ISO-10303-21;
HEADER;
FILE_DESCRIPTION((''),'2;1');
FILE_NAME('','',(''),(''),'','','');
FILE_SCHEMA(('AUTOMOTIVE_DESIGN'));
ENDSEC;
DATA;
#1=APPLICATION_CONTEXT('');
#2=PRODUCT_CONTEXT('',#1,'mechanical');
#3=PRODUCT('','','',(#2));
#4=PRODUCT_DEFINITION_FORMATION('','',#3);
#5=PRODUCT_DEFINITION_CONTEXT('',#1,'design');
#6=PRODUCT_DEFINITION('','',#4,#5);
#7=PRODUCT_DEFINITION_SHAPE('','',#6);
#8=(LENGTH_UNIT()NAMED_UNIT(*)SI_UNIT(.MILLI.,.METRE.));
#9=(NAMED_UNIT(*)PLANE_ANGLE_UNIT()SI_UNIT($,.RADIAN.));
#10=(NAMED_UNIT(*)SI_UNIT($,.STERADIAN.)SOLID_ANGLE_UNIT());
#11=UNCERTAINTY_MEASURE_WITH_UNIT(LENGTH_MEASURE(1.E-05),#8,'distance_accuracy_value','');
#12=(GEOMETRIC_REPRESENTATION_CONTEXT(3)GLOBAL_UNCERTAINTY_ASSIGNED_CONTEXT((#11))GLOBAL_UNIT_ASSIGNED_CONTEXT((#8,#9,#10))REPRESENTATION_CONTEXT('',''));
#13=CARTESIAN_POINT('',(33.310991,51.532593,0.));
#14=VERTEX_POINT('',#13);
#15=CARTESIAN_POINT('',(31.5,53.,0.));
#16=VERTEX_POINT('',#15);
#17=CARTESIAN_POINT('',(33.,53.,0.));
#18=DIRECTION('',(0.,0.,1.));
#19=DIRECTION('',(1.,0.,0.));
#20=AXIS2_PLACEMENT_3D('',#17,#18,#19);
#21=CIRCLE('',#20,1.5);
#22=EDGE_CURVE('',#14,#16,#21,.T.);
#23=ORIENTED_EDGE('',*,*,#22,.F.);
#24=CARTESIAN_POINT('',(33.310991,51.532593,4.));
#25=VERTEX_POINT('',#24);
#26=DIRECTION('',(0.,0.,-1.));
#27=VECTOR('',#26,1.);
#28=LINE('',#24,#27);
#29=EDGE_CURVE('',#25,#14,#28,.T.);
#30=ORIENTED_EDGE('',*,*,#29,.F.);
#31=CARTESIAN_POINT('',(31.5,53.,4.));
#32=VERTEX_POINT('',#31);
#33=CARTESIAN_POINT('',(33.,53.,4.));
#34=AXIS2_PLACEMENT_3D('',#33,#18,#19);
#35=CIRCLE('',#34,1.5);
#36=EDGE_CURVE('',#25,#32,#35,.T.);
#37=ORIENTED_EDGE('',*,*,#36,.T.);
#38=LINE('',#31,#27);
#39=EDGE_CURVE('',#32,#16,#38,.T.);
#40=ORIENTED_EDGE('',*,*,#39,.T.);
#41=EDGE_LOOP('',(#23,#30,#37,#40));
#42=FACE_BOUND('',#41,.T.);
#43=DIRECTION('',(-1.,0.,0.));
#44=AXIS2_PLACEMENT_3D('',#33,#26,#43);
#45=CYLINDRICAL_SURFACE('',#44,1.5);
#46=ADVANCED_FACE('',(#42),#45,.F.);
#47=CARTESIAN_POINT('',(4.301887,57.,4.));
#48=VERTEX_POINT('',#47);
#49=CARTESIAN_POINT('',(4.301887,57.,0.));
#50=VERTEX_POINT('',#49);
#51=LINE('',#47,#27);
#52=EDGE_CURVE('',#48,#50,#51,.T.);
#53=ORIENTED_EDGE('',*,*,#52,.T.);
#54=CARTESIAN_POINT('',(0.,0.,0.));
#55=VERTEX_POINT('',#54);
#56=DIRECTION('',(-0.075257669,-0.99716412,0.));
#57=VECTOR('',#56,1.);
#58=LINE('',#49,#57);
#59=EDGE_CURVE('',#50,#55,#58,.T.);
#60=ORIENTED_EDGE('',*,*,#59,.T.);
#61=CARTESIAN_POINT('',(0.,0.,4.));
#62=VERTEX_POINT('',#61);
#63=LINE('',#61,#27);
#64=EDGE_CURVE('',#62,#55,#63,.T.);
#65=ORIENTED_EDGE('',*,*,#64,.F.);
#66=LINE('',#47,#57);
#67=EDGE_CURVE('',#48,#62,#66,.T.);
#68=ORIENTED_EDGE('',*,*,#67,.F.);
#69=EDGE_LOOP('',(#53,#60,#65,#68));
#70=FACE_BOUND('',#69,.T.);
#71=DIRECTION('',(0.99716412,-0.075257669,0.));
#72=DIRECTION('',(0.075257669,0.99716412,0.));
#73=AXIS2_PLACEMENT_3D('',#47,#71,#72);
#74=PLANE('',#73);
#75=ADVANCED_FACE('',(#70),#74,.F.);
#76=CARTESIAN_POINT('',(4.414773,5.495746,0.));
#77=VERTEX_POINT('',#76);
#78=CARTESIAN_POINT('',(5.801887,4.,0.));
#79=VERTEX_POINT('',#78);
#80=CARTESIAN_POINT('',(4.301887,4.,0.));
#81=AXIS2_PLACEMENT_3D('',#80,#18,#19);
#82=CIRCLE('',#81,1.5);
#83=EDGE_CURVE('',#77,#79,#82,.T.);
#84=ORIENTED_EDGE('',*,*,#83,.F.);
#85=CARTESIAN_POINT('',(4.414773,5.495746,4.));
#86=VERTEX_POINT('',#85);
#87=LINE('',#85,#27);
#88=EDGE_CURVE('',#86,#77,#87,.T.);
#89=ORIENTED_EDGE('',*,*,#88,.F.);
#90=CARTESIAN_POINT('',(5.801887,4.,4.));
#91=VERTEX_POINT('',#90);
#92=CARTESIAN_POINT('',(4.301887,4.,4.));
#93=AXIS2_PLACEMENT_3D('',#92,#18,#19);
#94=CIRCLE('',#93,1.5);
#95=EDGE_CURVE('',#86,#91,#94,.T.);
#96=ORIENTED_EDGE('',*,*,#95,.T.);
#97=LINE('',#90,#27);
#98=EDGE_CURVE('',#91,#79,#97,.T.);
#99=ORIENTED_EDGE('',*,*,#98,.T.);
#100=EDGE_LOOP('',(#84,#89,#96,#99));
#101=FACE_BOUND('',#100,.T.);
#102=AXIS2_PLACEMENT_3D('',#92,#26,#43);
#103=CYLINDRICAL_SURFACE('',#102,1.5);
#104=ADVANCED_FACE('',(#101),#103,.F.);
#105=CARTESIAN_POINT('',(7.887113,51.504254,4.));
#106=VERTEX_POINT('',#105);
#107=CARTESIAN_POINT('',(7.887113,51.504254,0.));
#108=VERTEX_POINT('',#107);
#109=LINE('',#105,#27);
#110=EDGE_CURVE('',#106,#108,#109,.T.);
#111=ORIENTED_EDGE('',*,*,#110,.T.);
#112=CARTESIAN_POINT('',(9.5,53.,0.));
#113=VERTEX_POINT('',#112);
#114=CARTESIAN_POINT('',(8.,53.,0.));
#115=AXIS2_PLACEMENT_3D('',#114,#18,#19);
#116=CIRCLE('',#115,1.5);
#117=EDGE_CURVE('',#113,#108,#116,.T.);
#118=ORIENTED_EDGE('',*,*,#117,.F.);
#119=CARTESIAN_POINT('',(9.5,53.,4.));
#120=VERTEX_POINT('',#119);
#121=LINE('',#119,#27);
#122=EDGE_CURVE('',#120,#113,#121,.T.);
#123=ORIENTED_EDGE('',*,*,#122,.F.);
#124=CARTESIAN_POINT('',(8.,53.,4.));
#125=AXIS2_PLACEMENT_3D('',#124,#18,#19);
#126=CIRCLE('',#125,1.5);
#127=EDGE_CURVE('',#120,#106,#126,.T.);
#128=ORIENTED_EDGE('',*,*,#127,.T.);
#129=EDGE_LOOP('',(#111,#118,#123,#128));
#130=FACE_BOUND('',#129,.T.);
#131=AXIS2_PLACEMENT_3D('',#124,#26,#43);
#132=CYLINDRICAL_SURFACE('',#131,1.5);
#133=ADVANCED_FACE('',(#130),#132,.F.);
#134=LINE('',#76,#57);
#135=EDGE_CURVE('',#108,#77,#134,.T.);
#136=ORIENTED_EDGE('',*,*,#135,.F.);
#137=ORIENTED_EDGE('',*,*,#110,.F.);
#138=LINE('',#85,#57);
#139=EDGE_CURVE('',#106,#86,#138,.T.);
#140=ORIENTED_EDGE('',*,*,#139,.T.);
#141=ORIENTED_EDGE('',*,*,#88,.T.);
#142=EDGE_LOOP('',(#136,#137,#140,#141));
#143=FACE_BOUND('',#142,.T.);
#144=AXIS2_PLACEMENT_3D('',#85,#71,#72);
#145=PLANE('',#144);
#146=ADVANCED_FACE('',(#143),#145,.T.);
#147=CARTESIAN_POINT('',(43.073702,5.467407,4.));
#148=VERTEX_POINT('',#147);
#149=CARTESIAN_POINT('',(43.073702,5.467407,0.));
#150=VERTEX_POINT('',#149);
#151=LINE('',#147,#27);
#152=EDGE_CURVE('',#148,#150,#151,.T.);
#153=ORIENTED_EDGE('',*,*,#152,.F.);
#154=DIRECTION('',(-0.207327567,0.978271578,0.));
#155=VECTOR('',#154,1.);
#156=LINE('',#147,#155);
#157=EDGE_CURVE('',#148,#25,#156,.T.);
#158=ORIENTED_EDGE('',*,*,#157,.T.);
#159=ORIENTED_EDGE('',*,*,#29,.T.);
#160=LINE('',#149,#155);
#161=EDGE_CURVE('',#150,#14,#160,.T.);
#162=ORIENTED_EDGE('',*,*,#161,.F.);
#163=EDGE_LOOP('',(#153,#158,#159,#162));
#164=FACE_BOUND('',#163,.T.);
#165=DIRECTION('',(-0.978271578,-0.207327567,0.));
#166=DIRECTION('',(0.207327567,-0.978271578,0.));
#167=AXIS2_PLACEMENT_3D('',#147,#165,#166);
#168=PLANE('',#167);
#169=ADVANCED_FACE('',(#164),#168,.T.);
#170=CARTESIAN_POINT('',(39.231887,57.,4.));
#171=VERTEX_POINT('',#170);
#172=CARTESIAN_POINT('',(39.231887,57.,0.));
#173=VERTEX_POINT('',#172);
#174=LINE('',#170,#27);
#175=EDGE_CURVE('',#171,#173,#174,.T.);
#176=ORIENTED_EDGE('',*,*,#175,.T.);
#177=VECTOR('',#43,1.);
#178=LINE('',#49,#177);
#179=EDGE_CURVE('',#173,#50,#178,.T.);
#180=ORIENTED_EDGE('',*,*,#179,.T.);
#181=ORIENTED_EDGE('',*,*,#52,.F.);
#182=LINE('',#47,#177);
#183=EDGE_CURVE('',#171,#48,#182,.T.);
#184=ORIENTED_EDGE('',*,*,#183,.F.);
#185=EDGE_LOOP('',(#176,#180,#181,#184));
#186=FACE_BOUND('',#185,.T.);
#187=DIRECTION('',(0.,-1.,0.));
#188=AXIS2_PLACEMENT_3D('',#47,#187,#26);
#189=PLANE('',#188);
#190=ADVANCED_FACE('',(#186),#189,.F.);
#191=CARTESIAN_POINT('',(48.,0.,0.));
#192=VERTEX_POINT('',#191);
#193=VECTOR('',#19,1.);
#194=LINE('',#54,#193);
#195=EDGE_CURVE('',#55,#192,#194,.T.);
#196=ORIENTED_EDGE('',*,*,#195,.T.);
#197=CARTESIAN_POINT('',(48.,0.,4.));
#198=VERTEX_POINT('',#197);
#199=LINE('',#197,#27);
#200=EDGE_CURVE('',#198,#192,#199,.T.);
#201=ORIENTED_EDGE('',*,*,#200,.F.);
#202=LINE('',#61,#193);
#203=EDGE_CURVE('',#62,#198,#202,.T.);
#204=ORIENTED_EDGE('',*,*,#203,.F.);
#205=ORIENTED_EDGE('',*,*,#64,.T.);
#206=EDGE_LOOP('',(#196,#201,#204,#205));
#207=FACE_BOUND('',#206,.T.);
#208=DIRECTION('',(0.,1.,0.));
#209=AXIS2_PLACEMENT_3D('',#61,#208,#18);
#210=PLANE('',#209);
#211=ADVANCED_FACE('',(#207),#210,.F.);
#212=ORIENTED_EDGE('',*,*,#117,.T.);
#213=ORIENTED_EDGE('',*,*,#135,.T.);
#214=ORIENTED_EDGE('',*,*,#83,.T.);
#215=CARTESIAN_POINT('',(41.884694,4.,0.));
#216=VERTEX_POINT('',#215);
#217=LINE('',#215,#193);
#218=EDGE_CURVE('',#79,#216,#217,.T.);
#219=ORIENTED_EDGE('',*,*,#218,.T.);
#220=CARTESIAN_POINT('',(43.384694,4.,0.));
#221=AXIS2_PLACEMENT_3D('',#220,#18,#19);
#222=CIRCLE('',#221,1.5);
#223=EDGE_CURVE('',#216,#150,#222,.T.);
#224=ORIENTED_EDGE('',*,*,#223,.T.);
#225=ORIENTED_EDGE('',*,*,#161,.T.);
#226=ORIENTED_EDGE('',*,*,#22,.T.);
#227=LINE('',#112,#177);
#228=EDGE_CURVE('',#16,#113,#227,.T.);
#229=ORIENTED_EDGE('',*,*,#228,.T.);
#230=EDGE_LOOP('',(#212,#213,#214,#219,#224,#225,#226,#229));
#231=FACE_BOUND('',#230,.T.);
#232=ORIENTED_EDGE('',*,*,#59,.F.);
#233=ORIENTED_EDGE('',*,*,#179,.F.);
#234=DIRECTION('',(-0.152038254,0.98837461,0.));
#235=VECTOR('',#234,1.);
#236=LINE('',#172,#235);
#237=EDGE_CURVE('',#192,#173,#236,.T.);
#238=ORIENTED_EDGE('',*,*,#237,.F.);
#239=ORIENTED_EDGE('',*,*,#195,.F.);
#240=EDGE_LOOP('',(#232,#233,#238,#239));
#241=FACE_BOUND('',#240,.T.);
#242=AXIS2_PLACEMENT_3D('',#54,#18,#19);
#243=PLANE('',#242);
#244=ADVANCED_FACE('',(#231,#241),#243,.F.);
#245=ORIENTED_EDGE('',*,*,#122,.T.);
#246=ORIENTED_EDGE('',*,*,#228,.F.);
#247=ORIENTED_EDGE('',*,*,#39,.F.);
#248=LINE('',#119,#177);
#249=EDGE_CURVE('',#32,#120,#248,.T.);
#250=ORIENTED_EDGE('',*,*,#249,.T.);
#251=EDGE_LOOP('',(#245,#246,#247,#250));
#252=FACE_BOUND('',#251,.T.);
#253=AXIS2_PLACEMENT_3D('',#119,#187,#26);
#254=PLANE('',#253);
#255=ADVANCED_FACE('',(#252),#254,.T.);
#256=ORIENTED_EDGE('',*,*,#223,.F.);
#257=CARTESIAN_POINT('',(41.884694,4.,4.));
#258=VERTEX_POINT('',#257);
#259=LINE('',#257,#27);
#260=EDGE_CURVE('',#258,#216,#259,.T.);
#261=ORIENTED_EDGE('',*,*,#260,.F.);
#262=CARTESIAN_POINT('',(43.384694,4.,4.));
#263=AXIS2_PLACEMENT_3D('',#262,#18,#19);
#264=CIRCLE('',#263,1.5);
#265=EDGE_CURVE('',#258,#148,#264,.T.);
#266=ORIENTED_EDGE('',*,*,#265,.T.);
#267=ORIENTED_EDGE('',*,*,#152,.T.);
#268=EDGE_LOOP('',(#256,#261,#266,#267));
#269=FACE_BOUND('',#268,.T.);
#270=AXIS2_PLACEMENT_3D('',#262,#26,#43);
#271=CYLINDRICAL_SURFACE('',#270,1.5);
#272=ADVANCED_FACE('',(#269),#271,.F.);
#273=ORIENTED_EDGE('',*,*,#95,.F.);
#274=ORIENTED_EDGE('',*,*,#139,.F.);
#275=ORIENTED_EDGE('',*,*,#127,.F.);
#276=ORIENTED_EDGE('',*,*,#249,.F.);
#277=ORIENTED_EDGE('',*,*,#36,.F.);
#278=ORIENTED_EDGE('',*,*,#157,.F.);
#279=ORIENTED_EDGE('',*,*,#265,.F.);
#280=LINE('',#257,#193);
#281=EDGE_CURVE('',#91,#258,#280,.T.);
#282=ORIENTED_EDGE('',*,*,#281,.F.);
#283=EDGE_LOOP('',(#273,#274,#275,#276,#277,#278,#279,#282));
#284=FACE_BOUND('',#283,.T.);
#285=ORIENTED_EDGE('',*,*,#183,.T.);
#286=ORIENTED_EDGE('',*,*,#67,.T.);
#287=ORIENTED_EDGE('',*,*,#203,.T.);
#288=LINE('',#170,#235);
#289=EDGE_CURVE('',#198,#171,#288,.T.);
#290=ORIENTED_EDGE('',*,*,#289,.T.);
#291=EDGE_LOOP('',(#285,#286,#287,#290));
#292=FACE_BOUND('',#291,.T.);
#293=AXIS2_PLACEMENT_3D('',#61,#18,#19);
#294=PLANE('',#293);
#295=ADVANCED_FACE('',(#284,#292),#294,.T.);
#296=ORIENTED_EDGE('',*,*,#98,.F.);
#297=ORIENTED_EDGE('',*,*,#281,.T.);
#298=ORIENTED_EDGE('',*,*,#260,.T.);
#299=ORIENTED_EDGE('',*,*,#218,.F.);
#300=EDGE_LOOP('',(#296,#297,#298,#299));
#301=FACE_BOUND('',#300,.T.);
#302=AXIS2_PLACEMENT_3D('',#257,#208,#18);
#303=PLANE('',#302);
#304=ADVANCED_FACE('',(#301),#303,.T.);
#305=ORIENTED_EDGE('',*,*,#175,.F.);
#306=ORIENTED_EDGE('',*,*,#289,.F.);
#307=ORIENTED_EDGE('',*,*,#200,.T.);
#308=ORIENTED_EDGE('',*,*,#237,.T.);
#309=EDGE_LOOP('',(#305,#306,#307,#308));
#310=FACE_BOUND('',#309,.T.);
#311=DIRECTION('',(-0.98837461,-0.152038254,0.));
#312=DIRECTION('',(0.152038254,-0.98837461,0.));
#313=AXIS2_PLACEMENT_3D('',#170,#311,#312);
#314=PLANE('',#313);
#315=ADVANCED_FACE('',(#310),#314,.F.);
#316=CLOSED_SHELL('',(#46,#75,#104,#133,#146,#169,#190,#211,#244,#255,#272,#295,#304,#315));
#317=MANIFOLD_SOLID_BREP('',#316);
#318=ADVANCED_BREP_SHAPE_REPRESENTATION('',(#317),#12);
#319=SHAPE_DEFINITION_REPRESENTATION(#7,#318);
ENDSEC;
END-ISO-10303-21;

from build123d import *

# Parameters (mm, degrees)
EXTRUDE_1_DEPTH = 4


with BuildPart() as part:
    # Эскиз1 → Бобышка-Вытянуть1 (new body)
    with BuildSketch(Plane.XY):
        Polygon((0, 0), (48, 0), (39.231886792, 57), (4.301886792, 57), align=None)
        with BuildLine():
            Line((4.414773297, 5.495746181), (7.887113496, 51.504253819))
            ThreePointArc((7.887113496, 51.504253819), (6.980031804, 54.099847661), (9.5, 53))
            Line((9.5, 53), (31.5, 53))
            ThreePointArc((31.5, 53), (33.94432859, 54.165437048), (33.310991351, 51.532592633))
            Line((33.310991351, 51.532592633), (43.073702459, 5.467407367))
            ThreePointArc((43.073702459, 5.467407367), (44.550130858, 3.05567141), (41.88469381, 4))
            Line((41.88469381, 4), (5.801886792, 4))
            ThreePointArc((5.801886792, 4), (3.202039131, 2.980031804), (4.414773297, 5.495746181))
        make_face(mode=Mode.SUBTRACT)
    extrude(amount=EXTRUDE_1_DEPTH)


solid = part.part
